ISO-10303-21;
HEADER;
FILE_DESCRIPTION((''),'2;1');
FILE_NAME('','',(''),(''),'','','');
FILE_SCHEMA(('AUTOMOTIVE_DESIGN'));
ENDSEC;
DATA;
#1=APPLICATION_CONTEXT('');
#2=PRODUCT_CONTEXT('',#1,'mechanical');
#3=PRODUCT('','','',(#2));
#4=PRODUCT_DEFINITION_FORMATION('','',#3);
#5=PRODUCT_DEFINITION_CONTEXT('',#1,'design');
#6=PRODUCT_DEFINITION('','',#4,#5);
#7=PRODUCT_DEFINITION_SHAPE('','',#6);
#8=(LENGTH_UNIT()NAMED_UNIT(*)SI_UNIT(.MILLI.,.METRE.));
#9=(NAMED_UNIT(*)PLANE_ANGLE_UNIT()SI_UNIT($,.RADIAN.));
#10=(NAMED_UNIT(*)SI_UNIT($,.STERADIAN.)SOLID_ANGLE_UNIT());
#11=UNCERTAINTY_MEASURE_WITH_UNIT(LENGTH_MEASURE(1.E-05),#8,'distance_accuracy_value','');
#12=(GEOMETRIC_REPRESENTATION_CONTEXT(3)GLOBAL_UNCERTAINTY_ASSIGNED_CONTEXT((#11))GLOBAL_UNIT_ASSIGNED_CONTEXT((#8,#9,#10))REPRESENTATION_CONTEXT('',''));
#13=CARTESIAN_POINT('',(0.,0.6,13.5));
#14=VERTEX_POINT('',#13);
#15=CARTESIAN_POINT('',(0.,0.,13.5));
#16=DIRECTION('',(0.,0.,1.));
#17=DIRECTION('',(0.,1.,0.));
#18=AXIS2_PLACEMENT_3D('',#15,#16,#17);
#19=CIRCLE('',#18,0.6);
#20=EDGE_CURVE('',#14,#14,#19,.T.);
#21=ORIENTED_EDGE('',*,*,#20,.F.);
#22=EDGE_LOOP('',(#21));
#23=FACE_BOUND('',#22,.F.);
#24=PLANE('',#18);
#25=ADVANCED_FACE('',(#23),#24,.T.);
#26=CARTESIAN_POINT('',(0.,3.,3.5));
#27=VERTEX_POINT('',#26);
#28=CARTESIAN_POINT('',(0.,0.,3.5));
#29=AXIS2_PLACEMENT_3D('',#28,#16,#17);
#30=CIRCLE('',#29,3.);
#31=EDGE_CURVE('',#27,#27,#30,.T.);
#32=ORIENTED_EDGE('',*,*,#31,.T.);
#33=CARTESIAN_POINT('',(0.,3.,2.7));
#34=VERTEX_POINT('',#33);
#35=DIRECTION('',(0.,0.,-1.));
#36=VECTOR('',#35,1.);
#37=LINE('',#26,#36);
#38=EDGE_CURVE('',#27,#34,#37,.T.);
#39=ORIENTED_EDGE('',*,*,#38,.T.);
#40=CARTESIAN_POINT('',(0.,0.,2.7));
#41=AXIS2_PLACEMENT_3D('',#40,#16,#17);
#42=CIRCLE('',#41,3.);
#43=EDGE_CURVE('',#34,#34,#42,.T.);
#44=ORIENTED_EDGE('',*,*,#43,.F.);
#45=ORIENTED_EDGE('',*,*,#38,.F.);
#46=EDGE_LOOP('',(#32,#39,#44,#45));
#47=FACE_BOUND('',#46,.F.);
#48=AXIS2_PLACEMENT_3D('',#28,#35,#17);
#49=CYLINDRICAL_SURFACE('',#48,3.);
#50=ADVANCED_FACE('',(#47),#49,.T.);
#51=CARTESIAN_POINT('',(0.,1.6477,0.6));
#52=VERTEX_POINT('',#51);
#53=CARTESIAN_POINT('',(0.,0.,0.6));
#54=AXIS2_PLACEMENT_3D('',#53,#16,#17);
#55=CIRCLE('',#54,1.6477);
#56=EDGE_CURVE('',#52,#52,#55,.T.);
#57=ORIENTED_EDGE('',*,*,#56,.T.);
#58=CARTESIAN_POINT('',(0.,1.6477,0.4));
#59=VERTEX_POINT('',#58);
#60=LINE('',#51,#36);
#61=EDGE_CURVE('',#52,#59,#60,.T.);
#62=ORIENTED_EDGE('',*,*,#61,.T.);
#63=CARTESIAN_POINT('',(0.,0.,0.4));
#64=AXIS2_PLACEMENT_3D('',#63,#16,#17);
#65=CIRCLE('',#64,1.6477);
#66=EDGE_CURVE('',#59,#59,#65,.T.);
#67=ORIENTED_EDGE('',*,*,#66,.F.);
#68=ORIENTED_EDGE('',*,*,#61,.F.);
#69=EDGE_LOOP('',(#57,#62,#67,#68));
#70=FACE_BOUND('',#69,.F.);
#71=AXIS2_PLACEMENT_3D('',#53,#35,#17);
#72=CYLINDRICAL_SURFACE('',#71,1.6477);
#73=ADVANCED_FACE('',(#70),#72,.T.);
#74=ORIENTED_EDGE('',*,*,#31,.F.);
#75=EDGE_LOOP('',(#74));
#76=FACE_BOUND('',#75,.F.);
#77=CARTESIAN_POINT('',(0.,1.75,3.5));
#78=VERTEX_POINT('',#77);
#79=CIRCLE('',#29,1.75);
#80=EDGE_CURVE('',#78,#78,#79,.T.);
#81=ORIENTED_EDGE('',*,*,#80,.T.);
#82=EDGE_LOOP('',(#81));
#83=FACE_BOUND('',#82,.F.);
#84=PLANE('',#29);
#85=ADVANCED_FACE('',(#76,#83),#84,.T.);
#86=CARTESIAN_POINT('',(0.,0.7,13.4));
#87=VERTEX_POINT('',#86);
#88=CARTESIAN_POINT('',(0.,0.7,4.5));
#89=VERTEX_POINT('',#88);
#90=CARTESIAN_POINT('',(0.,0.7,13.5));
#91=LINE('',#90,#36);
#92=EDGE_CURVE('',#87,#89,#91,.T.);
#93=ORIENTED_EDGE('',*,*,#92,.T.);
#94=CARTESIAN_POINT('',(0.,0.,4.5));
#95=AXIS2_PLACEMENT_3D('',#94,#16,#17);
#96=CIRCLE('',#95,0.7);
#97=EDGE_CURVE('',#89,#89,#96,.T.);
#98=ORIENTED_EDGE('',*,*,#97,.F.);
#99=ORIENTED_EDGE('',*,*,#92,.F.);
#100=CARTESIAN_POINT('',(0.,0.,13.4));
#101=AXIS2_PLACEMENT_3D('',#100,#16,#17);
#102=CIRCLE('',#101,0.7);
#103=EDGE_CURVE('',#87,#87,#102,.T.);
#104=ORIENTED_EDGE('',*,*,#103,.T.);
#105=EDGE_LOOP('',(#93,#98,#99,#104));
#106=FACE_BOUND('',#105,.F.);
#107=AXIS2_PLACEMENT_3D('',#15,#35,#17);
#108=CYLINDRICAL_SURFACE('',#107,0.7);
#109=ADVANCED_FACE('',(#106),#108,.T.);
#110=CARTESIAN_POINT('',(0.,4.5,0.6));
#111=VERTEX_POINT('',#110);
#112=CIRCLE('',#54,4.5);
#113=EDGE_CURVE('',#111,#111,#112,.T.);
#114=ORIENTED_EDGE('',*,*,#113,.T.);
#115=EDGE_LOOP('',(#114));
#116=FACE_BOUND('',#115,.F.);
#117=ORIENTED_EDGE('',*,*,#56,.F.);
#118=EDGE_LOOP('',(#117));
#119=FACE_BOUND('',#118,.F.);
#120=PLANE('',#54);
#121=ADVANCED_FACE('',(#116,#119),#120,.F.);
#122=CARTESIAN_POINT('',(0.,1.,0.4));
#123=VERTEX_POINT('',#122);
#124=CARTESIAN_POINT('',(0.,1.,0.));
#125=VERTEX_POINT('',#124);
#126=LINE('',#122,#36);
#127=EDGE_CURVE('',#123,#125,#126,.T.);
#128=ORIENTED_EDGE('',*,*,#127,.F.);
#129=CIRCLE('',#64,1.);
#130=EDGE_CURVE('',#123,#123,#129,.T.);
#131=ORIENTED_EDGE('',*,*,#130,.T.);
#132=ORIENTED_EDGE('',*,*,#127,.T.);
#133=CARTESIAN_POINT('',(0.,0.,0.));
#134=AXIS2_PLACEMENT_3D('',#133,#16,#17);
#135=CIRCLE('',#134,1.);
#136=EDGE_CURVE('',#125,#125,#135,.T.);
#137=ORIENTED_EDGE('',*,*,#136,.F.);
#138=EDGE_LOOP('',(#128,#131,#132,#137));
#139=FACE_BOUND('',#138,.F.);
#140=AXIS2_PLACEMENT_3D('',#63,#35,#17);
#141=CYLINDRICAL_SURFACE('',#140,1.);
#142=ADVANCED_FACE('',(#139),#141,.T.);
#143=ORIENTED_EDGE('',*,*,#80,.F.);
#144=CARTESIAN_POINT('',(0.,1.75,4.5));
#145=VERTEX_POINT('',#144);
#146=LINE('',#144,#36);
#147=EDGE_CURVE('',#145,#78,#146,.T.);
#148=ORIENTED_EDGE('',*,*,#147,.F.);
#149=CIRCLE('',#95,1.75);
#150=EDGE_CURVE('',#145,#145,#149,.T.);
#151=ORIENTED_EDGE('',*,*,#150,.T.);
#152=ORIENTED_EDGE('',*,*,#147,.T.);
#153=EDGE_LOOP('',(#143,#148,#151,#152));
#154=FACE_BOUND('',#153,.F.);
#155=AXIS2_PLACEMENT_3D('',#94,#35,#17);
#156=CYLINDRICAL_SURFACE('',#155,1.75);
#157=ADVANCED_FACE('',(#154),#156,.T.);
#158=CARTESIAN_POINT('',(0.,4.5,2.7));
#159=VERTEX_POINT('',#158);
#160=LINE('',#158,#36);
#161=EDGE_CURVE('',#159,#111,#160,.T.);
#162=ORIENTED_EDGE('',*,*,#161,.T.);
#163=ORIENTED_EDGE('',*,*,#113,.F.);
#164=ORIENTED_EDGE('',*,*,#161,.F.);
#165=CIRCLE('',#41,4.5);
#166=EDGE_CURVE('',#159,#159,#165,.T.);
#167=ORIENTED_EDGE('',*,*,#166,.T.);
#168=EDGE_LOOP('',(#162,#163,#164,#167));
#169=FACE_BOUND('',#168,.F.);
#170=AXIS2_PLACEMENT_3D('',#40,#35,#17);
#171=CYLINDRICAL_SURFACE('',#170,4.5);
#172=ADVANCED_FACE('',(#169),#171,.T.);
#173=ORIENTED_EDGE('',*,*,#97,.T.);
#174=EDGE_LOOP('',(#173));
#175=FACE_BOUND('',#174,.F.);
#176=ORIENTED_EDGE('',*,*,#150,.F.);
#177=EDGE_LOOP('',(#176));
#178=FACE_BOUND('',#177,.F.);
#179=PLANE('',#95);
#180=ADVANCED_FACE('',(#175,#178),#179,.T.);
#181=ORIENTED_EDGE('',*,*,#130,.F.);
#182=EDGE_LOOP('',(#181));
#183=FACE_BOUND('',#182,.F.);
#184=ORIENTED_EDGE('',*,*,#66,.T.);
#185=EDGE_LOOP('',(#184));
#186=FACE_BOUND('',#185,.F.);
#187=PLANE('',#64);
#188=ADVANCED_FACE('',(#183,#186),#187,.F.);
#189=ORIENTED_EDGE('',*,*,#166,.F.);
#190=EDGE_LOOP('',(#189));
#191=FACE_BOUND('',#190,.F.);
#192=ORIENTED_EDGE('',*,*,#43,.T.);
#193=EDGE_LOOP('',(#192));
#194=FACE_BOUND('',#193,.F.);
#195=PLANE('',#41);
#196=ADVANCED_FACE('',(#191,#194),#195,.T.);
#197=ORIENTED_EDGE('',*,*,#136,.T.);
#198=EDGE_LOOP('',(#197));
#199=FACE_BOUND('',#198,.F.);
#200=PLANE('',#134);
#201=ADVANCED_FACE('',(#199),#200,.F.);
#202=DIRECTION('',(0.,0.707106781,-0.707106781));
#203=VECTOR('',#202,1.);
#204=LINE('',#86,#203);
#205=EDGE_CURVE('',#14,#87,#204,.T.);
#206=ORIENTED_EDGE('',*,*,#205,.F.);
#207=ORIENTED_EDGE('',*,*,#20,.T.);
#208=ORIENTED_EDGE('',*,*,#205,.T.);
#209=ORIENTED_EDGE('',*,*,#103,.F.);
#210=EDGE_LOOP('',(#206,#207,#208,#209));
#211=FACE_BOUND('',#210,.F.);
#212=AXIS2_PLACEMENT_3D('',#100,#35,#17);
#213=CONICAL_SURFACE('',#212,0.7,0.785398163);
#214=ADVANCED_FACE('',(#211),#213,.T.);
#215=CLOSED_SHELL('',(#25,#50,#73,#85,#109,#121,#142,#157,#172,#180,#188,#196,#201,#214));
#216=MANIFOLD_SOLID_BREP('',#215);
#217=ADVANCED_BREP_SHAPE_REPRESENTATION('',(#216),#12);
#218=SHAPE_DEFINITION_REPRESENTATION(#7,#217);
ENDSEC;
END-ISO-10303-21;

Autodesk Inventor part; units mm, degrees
ref_plane "YZ Plane" through (0, 0, 0) normal (1, 0, 0) x (0, 1, 0)
ref_plane "XZ Plane" through (0, 0, 0) normal (0, 1, 0) x (-1, 0, 0)
ref_plane "XY Plane" through (0, 0, 0) normal (0, 0, 1) x (1, 0, 0)
sketch "Эскиз1" plane through (0, 0, 0) normal (1, 0, 0) x (0, 1, 0)
  line L0 (0, 13.5) -> (0.7, 13.5)
  line L1 (0.7, 13.5) -> (0.7, 4.5)
  line L2 (0.7, 4.5) -> (1.75, 4.5)
  line L3 (1.75, 4.5) -> (1.75, 3.5)
  line L4 (1.75, 3.5) -> (3, 3.5)
  line L5 (3, 3.5) -> (3, 2.7)
  line L6 (3, 2.7) -> (4.5, 2.7)
  line L7 (4.5, 2.7) -> (4.5, 0.6)
  line L8 (0, 0) -> (0, 13.5)
  line L9 (1.6477, 0.4) -> (1, 0.4)
  line L10 (1, 0.4) -> (1, 0)
  line L11 (1, 0) -> (0, 0)
  line L12 (0, -2.7) -> (0, 16.2) projected
  line L13 (4.5, 0.6) -> (1.6477, 0.6)
  line L14 (1.6477, 0.6) -> (1.6477, 0.4)
  dimension "d0" = 1.4
  dimension "d1" = 13.5
  dimension "d2" = 9
  dimension "d3" = 2
  dimension "d4" = 0.4
  dimension "d5" = 0.2
  dimension "d6" = 9
  dimension "d7" = 1
  dimension "d8" = 0.8
  dimension "d9" = 3.5
  dimension "d10" = 6
revolve "Вращение1" add sketch "Эскиз1" angle 360 about axis through (0, 0, -10) along (0, 0, 1)
chamfer "Фаска1" distance 0.1 angle 45 1 edges at (0, -0.7, 13.5)
properties part number "Вал последний с чем то" material "Латунь, мягкая, желтая"
